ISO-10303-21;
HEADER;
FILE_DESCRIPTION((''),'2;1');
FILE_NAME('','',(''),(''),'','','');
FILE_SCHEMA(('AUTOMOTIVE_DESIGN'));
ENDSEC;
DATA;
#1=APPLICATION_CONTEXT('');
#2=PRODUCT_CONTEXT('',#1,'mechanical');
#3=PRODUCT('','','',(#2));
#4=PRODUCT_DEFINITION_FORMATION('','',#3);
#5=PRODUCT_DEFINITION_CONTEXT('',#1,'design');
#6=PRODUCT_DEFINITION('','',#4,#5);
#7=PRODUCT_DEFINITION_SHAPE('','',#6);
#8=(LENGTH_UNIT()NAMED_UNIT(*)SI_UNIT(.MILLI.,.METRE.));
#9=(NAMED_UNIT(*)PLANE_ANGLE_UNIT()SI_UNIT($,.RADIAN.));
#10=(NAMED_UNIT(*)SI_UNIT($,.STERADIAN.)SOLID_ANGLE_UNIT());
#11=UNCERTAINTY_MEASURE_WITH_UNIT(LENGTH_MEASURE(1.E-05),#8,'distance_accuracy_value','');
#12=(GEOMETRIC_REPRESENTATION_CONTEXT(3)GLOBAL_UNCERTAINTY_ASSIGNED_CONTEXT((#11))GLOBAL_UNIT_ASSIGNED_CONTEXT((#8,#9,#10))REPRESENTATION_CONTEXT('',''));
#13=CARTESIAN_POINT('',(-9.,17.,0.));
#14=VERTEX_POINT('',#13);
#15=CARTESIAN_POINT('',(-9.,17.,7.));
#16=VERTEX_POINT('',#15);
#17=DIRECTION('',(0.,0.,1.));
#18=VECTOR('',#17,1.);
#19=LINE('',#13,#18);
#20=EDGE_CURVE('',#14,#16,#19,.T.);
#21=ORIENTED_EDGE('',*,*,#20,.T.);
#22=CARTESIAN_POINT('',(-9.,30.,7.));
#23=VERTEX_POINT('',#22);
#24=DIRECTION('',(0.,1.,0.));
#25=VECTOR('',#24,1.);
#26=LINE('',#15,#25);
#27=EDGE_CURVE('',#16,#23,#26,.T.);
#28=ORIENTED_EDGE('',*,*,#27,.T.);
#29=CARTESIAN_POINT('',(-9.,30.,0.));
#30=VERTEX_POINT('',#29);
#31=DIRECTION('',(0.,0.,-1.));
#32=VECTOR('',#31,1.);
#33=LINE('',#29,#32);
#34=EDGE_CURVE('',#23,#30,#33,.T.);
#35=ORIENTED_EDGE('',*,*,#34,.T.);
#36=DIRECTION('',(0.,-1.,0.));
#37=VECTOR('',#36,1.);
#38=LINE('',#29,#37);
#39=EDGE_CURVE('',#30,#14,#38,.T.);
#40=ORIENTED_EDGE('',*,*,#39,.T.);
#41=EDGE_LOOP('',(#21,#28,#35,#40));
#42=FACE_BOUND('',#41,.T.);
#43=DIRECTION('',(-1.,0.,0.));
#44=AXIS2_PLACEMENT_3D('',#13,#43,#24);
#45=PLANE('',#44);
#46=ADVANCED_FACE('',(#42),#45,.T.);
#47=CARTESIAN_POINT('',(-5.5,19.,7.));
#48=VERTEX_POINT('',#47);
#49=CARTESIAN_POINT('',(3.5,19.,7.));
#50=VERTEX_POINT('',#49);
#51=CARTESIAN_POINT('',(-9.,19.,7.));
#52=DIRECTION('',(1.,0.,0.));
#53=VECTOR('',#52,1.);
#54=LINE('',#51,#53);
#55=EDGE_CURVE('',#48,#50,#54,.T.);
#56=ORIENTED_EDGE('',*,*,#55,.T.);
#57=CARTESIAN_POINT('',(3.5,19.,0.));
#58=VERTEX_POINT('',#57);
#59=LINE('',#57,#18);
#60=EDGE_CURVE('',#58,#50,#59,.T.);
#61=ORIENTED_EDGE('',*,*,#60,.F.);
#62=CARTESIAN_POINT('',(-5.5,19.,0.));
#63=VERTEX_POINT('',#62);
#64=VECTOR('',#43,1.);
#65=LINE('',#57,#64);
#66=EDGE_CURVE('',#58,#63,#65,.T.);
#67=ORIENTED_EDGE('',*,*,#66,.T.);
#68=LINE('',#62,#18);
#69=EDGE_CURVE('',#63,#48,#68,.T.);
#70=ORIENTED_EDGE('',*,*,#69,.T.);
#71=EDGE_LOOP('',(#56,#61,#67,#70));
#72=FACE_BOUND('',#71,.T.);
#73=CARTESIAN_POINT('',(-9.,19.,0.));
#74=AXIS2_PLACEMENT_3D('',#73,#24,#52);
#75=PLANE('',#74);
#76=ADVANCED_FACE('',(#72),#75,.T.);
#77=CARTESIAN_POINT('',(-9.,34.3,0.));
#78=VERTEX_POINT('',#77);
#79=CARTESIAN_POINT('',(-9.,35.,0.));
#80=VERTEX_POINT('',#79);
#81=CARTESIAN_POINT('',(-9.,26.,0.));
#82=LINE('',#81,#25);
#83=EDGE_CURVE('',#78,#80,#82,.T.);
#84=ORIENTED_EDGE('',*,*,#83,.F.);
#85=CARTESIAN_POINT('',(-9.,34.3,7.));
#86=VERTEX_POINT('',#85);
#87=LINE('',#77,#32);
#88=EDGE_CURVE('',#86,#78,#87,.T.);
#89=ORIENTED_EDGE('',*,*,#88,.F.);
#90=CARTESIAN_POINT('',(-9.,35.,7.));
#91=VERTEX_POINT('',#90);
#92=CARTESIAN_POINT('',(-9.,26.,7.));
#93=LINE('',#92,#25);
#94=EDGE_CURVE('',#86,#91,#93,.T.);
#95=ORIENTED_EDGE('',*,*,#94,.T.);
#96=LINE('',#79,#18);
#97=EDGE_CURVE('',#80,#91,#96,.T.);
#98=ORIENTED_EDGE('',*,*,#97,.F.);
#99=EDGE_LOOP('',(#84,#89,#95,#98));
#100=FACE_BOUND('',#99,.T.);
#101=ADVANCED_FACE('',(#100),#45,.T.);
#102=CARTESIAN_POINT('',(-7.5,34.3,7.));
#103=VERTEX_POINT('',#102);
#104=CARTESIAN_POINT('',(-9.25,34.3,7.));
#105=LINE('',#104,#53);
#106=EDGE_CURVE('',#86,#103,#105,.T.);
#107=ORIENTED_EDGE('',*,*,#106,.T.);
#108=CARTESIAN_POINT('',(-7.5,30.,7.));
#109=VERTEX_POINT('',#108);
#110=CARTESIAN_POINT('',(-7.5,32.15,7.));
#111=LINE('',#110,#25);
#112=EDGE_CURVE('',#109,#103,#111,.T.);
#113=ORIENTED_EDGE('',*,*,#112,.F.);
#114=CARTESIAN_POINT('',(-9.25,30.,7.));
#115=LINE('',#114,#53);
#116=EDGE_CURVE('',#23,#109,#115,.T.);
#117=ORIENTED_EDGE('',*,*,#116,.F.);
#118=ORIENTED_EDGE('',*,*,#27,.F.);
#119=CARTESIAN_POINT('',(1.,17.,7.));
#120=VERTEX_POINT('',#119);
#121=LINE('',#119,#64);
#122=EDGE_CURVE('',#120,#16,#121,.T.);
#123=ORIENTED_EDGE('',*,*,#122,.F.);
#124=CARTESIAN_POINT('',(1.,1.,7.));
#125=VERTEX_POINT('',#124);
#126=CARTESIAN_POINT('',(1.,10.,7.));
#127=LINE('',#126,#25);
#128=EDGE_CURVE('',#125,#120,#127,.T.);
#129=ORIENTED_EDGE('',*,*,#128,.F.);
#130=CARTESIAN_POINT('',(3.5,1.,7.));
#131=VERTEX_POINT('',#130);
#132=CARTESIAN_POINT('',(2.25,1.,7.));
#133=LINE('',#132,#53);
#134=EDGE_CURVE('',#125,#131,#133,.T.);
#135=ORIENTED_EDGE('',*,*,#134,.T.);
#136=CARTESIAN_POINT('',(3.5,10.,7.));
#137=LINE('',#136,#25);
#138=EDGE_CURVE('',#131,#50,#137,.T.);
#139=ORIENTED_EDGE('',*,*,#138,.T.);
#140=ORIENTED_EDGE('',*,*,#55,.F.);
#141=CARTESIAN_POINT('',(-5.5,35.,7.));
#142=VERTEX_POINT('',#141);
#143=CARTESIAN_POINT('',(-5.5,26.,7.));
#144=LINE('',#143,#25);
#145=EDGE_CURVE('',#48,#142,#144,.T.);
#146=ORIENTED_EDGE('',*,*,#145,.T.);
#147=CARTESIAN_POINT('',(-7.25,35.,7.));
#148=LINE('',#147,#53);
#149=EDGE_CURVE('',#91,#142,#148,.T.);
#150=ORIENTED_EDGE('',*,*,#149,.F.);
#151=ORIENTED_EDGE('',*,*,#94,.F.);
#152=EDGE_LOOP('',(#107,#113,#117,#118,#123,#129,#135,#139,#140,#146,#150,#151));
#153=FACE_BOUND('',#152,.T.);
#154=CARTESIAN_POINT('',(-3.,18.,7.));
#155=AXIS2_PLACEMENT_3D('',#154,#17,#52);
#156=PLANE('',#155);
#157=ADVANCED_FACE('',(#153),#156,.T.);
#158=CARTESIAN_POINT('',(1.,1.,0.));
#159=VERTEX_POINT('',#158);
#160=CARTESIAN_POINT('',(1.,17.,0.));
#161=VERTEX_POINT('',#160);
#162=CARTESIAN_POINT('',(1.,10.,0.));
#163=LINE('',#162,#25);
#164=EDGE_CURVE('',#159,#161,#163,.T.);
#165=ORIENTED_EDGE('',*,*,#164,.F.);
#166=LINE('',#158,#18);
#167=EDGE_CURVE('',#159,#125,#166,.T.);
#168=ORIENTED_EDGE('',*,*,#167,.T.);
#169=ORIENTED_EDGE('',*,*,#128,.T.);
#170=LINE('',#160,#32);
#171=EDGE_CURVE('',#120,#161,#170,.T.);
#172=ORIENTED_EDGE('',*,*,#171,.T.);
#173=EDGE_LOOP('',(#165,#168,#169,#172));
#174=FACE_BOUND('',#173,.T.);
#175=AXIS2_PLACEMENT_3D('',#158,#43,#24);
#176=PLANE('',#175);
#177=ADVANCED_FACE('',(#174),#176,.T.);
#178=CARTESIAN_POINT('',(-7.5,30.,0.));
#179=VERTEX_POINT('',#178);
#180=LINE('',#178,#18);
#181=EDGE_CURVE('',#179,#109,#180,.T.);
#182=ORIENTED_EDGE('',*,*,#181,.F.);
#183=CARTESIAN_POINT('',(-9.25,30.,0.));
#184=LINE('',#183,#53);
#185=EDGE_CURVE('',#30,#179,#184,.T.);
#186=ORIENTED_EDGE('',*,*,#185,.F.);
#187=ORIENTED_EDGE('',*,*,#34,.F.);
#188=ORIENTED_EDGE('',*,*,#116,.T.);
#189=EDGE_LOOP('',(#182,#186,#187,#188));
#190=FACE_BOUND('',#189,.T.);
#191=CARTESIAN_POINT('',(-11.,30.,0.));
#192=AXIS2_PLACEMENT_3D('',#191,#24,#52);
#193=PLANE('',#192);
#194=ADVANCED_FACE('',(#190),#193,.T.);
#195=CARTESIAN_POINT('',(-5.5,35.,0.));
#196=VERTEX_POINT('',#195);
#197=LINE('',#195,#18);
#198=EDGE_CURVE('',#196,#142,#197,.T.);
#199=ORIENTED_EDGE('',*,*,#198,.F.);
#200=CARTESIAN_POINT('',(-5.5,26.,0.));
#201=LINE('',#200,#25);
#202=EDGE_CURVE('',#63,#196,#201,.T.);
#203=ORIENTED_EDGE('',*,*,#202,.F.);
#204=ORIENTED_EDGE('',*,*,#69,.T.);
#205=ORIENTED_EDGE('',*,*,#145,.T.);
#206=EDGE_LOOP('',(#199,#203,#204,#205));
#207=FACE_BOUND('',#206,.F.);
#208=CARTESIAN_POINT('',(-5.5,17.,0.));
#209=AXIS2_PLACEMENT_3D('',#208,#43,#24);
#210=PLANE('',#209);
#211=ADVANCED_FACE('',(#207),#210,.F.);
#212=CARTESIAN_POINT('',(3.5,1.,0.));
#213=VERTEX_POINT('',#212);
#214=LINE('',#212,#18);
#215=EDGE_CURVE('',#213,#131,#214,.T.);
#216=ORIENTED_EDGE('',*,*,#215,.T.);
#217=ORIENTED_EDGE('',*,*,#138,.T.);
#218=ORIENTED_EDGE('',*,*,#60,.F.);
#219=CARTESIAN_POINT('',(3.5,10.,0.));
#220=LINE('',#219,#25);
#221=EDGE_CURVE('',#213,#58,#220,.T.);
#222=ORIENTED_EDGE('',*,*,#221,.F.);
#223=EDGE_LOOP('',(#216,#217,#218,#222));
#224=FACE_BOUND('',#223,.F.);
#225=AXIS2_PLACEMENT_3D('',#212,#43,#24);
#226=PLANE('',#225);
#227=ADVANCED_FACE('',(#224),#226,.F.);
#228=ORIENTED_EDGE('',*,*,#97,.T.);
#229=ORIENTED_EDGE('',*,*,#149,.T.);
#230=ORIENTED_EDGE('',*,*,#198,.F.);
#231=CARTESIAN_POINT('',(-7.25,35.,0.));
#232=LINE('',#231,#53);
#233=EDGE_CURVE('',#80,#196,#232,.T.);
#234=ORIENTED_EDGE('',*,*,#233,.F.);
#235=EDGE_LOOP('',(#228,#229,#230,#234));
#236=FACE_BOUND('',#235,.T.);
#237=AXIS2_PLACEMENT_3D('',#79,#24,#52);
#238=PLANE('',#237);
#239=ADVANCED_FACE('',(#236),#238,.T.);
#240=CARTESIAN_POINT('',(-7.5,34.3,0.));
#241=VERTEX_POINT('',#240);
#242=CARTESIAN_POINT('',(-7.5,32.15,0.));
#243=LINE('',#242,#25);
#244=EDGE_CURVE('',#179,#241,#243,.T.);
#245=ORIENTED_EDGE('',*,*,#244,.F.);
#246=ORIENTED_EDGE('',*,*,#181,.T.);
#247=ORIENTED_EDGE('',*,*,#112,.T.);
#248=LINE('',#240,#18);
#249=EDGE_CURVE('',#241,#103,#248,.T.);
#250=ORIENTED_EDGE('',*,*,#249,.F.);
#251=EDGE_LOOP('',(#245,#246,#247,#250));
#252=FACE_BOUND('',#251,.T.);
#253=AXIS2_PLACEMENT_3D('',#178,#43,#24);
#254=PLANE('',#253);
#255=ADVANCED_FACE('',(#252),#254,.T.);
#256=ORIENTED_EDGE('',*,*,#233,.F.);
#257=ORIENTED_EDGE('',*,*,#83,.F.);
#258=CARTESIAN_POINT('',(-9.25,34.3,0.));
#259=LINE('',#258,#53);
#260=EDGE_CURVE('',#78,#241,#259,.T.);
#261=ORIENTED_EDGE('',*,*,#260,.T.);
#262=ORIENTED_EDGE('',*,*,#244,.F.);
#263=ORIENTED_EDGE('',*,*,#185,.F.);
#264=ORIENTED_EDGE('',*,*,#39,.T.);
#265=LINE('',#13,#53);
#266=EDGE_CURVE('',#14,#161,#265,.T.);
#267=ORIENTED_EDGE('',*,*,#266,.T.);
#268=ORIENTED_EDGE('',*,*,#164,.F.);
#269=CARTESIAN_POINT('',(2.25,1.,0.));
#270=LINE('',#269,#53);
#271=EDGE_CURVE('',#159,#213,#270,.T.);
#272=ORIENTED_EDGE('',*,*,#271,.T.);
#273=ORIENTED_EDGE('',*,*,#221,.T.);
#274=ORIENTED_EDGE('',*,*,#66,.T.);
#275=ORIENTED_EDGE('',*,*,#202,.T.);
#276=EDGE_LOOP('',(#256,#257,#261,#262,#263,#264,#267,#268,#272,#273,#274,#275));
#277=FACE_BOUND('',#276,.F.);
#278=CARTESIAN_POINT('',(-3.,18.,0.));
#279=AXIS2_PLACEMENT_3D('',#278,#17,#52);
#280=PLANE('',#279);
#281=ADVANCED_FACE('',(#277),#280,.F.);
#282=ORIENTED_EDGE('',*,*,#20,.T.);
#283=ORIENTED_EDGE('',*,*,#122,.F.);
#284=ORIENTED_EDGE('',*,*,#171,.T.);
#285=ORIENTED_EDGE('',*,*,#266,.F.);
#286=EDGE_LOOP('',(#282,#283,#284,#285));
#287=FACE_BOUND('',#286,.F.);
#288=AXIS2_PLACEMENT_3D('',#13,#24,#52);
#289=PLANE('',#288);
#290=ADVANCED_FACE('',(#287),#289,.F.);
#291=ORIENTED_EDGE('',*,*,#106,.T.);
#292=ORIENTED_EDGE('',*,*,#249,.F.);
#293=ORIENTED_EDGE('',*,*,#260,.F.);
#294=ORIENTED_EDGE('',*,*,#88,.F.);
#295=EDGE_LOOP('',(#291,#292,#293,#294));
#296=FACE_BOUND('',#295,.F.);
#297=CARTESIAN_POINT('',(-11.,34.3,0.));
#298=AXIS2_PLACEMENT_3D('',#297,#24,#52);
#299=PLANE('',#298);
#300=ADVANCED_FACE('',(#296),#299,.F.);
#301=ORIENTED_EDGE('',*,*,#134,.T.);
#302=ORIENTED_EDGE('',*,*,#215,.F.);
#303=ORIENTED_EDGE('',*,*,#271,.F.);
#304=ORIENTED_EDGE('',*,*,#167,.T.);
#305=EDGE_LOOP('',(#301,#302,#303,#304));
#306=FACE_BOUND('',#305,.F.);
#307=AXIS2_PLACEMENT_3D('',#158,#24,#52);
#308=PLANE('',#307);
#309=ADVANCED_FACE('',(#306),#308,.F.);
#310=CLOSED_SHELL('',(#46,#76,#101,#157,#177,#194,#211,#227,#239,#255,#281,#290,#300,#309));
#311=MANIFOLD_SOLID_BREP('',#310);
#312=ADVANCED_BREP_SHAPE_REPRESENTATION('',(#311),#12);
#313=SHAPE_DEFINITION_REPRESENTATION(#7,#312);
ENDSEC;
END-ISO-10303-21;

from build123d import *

# Parameters (mm, degrees)
BOX016_W     = 12
BOX016_H     = 2
BOX016_DEPTH = 7
BOX018_W     = 3.5
BOX018_H     = 4.3
BOX018_DEPTH = 7
BOX017_W     = 3.5
BOX017_H     = 18
BOX017_DEPTH = 7
BOX015_W     = 2.5
BOX015_H     = 18
BOX015_DEPTH = 7


with BuildPart() as box016:
    # Box016 → Box016 (new body)
    with BuildSketch(Plane(origin=(-9, 17, 0), x_dir=(1, 0, 0), z_dir=(0, 0, 1))):
        with Locations((6, 1)):
            Rectangle(BOX016_W, BOX016_H)
    extrude(amount=BOX016_DEPTH)


with BuildPart() as box018:
    # Box018 → Box018 (new body)
    with BuildSketch(Plane(origin=(-11, 30, 0), x_dir=(1, 0, 0), z_dir=(0, 0, 1))):
        with Locations((1.75, 2.15)):
            Rectangle(BOX018_W, BOX018_H)
    extrude(amount=BOX018_DEPTH)


with BuildPart() as cut043:
    # Box017 → Box017 (new body)
    with BuildSketch(Plane(origin=(-9, 17, 0), x_dir=(1, 0, 0), z_dir=(0, 0, 1))):
        with Locations((1.75, 9)):
            Rectangle(BOX017_W, BOX017_H)
    extrude(amount=BOX017_DEPTH)

    # Cut043: cut Box018
    add(box018.part, mode=Mode.SUBTRACT)


with BuildPart() as fusion020:
    # Box015 → Box015 (new body)
    with BuildSketch(Plane(origin=(1, 1, 0), x_dir=(1, 0, 0), z_dir=(0, 0, 1))):
        with Locations((1.25, 9)):
            Rectangle(BOX015_W, BOX015_H)
    extrude(amount=BOX015_DEPTH)

    # Fusion020: union Box016, Cut043
    add(box016.part)
    add(cut043.part)


solid = fusion020.part
